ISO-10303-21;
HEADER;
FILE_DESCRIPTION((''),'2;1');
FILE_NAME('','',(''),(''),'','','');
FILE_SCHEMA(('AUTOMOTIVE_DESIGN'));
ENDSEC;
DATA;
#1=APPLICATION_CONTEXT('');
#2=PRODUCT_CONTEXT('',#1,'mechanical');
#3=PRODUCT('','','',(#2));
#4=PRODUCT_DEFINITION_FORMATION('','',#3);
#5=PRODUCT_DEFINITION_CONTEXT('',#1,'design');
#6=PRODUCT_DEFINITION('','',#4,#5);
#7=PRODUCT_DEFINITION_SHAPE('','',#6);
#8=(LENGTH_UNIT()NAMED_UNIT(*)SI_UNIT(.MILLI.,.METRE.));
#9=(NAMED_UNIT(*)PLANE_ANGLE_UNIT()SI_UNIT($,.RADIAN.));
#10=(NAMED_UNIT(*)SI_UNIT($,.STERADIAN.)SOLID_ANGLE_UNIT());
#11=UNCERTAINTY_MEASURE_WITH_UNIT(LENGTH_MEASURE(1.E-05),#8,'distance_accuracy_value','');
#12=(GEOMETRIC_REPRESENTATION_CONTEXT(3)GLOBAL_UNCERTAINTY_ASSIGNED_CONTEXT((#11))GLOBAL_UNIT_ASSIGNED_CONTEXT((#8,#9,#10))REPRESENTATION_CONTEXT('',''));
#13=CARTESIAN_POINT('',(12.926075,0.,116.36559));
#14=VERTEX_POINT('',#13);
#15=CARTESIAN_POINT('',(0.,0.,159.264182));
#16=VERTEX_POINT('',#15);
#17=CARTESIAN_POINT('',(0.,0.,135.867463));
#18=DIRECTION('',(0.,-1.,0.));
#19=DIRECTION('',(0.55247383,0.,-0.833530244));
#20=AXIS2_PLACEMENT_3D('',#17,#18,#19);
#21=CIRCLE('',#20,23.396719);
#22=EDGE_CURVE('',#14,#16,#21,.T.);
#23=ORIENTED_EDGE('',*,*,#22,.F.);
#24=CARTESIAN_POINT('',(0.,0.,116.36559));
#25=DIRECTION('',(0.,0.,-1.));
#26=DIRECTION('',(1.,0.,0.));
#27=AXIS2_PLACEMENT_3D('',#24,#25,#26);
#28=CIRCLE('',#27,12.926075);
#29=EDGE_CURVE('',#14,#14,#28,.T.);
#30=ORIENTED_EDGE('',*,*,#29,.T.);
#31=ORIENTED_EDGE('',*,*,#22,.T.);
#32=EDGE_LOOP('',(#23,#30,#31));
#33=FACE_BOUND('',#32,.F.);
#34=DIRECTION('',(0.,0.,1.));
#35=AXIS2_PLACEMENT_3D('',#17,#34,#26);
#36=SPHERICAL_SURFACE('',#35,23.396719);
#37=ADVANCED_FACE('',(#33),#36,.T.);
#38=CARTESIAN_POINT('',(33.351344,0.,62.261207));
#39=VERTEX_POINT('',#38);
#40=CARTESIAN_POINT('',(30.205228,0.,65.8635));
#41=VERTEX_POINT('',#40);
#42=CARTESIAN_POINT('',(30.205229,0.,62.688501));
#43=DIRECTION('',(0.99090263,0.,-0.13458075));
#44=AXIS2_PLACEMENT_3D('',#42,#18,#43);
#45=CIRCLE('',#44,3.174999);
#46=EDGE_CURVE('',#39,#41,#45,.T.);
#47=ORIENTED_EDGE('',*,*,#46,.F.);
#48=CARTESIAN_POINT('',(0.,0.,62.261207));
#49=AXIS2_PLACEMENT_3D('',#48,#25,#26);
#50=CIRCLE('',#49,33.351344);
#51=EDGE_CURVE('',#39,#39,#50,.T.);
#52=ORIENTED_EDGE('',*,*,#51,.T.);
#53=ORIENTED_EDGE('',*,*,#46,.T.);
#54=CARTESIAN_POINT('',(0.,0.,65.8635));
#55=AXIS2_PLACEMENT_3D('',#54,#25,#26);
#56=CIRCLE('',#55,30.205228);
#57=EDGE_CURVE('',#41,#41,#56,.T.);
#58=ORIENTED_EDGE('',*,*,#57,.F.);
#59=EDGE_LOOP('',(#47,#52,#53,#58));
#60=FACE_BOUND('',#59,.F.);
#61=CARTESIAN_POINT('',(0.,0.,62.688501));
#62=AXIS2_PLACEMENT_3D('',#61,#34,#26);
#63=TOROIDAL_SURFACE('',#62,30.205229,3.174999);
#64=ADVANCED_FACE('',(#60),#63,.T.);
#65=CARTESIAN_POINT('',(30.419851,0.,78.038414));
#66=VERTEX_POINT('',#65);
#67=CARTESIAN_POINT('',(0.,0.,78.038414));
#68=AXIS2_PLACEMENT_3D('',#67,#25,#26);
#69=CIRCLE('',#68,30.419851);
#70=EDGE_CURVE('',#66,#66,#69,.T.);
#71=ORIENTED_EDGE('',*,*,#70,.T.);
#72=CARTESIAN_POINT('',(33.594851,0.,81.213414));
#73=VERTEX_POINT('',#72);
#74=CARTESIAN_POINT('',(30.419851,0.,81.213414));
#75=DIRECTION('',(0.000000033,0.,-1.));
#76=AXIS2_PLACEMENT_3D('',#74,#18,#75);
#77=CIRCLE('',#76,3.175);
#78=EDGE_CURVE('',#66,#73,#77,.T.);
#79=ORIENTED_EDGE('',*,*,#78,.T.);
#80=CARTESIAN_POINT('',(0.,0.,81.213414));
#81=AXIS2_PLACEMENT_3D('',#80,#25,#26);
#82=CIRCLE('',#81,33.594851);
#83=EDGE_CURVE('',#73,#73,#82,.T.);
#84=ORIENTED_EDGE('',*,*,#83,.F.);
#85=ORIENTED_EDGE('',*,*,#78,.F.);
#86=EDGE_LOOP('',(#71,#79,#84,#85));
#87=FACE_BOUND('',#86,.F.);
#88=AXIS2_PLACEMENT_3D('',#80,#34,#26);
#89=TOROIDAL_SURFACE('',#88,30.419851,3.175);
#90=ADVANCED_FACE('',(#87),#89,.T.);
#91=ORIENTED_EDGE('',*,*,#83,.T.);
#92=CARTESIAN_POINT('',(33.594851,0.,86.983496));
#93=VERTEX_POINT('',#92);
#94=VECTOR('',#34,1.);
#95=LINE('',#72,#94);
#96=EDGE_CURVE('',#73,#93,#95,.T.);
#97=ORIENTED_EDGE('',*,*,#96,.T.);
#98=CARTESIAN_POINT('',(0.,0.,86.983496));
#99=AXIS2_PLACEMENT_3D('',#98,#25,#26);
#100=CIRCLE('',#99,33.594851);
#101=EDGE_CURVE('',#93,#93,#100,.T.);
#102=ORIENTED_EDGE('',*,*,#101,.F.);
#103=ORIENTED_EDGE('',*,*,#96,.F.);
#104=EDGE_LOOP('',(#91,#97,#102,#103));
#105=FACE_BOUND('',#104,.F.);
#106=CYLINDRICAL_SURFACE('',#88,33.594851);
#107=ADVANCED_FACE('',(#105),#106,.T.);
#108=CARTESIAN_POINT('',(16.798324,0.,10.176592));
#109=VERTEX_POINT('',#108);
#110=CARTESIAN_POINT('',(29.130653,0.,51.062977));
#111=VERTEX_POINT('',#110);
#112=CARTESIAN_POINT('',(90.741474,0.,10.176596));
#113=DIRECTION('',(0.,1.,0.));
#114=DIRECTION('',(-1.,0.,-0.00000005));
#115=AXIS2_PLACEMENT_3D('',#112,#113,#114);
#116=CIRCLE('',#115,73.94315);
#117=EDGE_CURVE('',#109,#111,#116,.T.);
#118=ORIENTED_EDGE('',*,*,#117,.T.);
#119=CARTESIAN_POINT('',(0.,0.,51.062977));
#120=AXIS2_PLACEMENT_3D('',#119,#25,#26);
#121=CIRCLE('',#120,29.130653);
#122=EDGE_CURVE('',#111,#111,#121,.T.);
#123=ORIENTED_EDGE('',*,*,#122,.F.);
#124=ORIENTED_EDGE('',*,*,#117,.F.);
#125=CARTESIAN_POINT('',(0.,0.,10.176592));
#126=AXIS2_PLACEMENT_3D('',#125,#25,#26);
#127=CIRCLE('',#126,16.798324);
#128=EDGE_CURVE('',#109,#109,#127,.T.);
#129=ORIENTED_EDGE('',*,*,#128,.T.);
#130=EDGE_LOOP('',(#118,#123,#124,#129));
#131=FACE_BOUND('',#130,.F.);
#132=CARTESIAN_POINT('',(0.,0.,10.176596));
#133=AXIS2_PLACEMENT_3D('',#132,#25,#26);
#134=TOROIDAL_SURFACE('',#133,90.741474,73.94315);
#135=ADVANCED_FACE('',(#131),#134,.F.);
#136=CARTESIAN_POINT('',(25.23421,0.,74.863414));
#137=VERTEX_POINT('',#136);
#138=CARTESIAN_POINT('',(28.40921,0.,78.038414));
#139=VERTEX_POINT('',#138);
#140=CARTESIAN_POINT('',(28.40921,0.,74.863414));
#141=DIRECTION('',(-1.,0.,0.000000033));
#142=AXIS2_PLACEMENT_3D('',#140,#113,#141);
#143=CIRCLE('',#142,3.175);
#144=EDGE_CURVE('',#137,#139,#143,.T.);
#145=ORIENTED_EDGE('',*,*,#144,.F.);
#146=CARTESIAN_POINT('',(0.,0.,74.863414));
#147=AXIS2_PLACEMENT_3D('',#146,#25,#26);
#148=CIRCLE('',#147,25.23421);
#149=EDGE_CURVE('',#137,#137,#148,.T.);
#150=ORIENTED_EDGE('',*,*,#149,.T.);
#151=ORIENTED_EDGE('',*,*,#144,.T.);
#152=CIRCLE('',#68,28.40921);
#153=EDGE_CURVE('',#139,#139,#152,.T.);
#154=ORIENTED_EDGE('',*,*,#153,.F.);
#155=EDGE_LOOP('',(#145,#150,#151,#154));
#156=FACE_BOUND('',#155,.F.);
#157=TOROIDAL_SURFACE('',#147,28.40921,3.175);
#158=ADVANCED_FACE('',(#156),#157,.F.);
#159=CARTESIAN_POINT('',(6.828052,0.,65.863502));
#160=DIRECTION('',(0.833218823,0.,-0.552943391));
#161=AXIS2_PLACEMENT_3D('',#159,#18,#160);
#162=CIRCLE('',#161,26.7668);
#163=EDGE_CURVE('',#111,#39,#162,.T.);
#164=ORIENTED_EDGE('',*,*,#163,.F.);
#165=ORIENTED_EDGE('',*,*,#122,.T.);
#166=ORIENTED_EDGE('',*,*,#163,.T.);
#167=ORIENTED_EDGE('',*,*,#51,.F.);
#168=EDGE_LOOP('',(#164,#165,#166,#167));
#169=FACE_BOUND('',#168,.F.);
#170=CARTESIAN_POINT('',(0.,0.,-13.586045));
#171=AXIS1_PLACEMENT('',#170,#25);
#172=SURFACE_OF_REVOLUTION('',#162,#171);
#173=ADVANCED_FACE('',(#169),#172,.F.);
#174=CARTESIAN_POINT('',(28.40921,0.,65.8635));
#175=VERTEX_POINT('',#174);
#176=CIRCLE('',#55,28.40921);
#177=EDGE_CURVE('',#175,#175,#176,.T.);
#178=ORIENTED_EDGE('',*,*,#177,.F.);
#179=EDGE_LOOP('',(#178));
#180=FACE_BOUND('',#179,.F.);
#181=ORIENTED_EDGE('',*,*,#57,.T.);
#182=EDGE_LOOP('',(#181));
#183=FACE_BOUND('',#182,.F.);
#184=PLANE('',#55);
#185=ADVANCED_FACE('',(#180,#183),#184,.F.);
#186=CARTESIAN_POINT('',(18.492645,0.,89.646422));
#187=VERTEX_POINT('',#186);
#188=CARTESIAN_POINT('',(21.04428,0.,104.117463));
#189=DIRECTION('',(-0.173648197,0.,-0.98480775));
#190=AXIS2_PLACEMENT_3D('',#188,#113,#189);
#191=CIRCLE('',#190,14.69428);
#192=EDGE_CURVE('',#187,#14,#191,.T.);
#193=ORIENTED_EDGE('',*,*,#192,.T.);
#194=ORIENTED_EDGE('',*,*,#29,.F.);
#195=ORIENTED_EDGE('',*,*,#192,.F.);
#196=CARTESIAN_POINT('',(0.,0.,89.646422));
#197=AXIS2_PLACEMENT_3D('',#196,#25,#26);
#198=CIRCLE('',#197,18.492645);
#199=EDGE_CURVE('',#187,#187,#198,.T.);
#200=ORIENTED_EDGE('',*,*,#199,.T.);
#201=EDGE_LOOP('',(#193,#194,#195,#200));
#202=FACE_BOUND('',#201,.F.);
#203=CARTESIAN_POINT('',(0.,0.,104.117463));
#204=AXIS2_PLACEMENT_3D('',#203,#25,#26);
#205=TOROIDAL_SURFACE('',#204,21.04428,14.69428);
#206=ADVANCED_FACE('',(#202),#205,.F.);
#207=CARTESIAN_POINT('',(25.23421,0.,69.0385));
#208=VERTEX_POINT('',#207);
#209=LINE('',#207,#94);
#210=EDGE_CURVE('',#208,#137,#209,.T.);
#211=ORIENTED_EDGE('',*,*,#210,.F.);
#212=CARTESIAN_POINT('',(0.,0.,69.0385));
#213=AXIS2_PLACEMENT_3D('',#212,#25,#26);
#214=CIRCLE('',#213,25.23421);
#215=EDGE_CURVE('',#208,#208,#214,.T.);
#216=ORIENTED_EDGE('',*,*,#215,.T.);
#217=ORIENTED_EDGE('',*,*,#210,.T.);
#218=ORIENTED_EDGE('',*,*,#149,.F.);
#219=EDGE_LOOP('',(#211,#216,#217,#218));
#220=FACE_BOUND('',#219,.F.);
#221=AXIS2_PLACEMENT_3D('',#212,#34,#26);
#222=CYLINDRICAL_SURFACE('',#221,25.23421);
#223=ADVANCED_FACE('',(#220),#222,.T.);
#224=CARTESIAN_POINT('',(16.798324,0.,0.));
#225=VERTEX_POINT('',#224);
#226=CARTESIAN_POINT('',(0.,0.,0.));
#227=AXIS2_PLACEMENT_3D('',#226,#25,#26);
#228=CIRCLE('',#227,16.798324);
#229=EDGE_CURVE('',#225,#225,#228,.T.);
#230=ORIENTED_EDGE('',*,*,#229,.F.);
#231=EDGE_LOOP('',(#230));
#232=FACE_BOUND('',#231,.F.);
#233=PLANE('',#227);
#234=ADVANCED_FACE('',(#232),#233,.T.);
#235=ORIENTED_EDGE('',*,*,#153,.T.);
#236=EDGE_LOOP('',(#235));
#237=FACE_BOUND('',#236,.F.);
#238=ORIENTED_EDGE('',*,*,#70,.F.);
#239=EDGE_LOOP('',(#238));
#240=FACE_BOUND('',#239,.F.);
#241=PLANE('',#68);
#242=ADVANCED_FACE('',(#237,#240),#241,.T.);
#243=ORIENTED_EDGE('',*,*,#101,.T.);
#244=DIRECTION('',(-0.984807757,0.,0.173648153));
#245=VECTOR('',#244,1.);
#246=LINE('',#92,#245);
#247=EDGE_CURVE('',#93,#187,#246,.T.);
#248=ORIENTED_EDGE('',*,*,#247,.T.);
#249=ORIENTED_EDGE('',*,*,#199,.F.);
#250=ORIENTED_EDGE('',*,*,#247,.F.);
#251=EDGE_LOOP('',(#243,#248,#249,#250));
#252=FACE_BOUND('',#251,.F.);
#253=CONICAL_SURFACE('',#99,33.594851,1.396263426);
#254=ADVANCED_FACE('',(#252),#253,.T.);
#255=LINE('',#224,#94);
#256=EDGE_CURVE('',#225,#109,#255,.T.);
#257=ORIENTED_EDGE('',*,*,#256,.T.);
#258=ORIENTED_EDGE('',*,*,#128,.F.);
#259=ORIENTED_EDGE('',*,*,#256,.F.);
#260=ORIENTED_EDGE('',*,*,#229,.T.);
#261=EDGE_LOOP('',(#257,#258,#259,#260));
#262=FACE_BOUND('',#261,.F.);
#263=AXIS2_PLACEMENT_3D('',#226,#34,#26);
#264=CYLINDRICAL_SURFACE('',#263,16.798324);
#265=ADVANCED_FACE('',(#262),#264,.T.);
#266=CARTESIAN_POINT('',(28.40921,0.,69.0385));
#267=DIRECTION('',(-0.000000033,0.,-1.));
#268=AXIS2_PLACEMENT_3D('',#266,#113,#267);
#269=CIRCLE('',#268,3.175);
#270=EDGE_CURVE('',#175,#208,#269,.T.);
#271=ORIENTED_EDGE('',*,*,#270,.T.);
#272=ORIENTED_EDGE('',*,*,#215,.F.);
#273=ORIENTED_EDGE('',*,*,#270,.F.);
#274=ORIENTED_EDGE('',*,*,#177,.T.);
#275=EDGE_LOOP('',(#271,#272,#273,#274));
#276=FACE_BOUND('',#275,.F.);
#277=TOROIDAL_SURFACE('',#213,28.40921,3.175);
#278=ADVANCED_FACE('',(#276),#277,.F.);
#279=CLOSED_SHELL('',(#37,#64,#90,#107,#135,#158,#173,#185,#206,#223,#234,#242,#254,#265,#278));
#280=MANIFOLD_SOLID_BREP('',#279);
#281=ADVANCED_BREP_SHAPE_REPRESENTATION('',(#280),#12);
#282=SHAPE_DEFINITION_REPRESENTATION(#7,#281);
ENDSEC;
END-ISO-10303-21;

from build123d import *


with BuildPart() as f1:
    # F0 (on Front) → F1 (revolve)
    with BuildSketch(Plane.XZ):
        with BuildLine():
            Line((0, 159.264182), (0, 0))
            Line((0, 0), (16.798324, 0))
            Line((16.798324, 0), (16.798324, 10.176592))
            ThreePointArc((16.798324, 10.176592), (19.948509, 31.529477), (29.130653, 51.062977))
            ThreePointArc((29.130653, 51.062977), (31.874849, 56.423189), (33.351344, 62.261207))
            ThreePointArc((33.351344, 62.261207), (32.596596, 64.777037), (30.205228, 65.8635))
            Line((30.205228, 65.8635), (28.40921, 65.8635))
            ThreePointArc((28.40921, 65.8635), (26.164146, 66.793436), (25.23421, 69.0385))
            Line((25.23421, 69.0385), (25.23421, 74.863414))
            ThreePointArc((25.23421, 74.863414), (26.164146, 77.108478), (28.40921, 78.038414))
            Line((28.40921, 78.038414), (30.419851, 78.038414))
            ThreePointArc((30.419851, 78.038414), (32.664915, 78.96835), (33.594851, 81.213414))
            Line((33.594851, 81.213414), (33.594851, 86.983496))
            Line((33.594851, 86.983496), (18.492645, 89.646422))
            ThreePointArc((18.492645, 89.646422), (6.658876, 101.120462), (12.926075, 116.36559))
            ThreePointArc((12.926075, 116.36559), (22.401856, 142.617523), (0, 159.264182))
        make_face()
    revolve(axis=Axis((0, 0, -13.586045), (0, 0, -1)))


solid = f1.part
